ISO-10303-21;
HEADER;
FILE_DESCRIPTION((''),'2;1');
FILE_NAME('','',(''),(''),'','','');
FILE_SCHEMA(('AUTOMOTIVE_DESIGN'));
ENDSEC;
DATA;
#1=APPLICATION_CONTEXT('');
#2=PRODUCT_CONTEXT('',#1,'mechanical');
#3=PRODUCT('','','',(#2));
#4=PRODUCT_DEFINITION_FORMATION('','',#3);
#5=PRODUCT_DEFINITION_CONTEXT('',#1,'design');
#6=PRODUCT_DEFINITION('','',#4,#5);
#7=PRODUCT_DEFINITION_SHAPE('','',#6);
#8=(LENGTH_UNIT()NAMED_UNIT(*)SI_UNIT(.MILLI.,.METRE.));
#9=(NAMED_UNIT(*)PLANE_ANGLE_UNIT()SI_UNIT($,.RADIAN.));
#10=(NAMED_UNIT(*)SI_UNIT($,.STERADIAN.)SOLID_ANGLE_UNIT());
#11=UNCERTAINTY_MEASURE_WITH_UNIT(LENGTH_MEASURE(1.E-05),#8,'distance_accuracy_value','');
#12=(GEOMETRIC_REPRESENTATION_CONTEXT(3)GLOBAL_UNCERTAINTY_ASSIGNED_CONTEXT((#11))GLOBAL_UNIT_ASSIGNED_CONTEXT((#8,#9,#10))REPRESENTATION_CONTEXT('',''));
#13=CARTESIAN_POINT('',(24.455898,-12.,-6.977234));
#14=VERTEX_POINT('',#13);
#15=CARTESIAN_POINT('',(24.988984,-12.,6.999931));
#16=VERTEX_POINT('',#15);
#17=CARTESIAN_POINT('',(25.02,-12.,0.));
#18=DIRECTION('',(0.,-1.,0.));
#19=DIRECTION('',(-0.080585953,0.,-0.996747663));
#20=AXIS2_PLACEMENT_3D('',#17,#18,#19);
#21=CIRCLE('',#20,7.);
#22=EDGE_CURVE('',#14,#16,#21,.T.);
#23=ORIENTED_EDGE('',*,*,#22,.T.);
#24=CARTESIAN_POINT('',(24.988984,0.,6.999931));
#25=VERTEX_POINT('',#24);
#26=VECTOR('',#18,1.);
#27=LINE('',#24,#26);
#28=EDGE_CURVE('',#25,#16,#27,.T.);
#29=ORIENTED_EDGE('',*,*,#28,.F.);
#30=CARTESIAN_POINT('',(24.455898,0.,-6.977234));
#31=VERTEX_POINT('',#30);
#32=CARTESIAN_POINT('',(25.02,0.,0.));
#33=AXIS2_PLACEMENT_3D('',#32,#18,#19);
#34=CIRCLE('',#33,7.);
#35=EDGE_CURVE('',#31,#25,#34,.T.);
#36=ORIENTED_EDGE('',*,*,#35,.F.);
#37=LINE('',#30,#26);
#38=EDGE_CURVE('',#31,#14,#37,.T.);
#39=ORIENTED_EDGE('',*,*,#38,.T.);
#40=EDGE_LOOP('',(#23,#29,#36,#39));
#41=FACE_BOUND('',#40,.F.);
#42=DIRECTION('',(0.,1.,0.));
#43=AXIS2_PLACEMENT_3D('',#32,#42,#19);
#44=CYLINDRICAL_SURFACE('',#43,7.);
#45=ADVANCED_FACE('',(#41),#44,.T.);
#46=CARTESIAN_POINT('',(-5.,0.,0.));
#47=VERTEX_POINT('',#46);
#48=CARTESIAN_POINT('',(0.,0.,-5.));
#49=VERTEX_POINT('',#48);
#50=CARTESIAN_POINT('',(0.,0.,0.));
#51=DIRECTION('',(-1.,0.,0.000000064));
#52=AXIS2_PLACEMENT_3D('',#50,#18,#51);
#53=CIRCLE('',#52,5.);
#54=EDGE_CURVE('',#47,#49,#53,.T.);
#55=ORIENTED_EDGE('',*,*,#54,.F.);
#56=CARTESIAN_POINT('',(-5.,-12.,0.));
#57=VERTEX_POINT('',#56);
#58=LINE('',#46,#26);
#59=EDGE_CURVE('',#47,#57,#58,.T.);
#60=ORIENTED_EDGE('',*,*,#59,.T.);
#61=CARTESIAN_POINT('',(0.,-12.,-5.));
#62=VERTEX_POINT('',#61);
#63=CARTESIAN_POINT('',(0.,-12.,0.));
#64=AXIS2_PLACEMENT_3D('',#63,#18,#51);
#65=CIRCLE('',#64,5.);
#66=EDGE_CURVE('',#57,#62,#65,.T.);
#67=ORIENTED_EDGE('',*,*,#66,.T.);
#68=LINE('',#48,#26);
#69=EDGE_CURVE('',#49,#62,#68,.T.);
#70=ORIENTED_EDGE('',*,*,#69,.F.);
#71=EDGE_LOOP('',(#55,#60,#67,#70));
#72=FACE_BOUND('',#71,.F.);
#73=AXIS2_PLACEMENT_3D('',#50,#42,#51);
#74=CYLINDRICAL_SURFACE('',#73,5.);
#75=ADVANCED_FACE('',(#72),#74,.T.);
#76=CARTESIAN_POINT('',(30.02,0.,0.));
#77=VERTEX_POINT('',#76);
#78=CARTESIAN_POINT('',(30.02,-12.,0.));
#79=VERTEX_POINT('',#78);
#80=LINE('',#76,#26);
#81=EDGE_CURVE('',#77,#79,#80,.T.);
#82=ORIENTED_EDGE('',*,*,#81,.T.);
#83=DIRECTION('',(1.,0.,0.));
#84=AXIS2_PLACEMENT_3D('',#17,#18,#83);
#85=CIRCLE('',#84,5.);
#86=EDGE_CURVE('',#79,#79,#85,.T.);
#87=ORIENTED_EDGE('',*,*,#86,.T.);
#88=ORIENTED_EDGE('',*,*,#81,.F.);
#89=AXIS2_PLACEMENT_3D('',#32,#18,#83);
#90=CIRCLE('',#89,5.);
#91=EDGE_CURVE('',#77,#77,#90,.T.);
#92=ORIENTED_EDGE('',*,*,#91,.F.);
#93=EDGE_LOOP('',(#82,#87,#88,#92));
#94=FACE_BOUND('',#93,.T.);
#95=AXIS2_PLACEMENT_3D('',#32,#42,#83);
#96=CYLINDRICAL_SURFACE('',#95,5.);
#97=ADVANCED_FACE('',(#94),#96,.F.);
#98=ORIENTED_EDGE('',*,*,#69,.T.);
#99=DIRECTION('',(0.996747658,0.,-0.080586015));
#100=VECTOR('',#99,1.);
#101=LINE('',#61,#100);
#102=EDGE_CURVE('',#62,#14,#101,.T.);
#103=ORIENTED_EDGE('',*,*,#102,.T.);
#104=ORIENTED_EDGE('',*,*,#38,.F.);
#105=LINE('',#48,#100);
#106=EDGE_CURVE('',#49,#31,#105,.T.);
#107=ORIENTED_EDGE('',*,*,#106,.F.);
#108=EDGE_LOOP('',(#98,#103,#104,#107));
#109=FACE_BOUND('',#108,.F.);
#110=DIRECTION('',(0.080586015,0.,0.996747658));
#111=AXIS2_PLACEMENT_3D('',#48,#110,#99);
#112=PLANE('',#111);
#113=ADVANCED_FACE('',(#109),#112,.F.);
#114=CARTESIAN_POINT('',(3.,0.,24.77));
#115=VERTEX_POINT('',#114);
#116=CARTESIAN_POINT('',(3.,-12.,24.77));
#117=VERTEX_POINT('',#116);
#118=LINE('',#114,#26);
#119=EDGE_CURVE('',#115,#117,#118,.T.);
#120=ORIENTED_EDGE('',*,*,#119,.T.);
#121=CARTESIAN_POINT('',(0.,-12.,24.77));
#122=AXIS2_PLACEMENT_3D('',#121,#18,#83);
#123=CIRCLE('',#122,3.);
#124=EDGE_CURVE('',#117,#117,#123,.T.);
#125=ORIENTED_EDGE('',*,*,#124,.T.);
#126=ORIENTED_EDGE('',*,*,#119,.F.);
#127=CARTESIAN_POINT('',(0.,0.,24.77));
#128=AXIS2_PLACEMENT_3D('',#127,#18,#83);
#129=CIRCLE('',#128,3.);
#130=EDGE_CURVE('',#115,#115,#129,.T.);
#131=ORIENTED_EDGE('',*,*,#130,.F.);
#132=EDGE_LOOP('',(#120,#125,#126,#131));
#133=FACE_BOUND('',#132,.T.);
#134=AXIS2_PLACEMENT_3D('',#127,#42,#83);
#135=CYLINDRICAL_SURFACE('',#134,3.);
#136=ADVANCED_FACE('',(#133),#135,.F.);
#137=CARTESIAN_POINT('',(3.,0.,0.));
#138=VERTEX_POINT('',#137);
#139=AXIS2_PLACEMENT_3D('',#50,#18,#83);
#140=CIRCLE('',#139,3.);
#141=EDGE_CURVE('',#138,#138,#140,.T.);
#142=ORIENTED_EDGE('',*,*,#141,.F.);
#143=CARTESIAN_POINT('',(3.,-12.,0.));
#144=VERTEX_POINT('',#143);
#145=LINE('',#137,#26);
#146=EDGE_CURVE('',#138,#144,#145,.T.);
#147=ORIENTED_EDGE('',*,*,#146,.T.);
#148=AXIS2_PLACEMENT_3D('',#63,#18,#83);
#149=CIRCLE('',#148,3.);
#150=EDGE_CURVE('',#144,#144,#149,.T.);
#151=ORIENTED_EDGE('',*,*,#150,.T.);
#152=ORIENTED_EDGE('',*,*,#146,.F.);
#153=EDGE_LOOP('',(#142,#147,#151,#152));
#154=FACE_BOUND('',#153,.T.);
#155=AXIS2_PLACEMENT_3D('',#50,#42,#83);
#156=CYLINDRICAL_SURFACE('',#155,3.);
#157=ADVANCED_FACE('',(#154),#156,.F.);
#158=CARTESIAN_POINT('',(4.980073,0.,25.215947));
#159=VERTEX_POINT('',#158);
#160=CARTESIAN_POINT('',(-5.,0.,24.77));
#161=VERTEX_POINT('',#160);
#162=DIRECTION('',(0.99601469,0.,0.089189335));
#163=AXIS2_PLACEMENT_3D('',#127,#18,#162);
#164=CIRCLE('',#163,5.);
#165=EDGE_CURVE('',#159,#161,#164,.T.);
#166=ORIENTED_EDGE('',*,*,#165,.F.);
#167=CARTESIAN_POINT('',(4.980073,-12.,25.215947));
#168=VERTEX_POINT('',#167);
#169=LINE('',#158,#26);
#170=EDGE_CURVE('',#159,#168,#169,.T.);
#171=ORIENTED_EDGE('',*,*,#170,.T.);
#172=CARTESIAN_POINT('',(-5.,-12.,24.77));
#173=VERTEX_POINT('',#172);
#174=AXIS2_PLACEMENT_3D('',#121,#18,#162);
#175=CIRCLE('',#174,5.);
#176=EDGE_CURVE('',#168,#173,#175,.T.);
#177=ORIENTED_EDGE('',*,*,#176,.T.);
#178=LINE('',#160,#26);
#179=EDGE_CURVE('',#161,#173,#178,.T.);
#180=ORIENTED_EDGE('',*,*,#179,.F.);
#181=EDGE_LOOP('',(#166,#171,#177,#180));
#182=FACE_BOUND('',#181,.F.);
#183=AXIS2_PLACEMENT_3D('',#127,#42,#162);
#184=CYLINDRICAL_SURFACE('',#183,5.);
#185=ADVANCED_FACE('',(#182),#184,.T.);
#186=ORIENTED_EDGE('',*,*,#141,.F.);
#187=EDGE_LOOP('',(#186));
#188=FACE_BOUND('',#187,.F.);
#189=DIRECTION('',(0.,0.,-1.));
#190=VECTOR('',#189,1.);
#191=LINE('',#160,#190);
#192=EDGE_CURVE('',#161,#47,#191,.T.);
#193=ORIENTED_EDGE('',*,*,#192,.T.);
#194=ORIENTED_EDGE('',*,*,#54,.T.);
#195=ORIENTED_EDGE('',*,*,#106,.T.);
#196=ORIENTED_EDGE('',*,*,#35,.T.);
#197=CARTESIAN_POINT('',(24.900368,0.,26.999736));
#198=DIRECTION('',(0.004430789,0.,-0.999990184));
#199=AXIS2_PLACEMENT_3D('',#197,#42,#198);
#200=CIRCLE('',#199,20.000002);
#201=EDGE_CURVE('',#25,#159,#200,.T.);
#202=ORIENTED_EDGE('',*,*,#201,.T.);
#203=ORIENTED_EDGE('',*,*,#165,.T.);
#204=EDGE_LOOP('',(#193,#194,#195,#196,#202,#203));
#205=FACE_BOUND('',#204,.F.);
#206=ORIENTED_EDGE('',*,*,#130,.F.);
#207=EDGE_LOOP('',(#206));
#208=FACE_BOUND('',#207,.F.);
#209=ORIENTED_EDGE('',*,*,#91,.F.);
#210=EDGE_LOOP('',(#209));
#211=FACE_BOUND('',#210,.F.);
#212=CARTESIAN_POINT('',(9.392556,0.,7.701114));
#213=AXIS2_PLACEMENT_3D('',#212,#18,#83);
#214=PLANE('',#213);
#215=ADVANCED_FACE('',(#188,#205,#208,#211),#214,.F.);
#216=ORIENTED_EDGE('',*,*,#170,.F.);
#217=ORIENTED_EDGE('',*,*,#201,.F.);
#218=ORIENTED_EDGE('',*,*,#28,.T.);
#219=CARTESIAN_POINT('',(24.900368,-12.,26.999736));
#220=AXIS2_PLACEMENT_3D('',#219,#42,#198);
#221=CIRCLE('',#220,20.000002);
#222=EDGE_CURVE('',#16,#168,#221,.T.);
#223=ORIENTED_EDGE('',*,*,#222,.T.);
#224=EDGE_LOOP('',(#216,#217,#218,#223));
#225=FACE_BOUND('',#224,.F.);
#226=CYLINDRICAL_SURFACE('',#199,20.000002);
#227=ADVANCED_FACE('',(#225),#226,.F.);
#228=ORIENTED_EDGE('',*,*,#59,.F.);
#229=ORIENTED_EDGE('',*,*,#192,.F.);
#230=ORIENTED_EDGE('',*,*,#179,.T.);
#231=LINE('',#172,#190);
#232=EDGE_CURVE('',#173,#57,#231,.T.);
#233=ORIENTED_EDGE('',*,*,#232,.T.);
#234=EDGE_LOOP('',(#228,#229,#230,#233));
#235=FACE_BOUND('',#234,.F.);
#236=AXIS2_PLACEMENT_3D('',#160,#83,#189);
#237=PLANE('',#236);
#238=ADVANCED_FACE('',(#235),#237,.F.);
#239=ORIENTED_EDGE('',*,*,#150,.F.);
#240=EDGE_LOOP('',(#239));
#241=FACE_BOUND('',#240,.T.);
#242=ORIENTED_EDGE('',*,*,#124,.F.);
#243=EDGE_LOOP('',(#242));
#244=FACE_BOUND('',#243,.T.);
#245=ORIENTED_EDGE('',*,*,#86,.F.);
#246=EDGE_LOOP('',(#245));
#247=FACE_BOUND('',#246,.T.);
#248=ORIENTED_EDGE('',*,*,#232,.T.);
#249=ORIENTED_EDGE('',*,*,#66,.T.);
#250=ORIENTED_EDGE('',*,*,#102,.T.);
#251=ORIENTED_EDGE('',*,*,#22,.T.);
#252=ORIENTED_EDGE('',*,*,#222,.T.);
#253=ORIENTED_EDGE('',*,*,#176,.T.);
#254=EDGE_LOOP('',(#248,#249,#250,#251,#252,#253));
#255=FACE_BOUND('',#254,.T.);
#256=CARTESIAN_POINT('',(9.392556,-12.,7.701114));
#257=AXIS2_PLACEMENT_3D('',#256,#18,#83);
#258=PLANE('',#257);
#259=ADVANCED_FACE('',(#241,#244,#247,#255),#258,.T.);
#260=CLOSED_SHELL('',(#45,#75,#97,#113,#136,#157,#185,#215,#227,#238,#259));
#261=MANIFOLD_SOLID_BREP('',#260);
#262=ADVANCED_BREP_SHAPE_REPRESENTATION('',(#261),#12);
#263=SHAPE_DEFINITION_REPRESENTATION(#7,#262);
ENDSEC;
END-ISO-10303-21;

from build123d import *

# Parameters (mm, degrees)
F0_R     = 3
F0_R_2   = 5
F1_DEPTH = 12


with BuildPart() as f1:
    # F0 (on Front) → F1 (new body)
    with BuildSketch(Plane.XZ):
        with BuildLine():
            Line((-5, 24.77), (-5, 0))
            ThreePointArc((-5, 0), (-3.535534, -3.535534), (0, -5))
            Line((0, -5), (24.455898, -6.977234))
            ThreePointArc((24.455898, -6.977234), (32.014914, -0.266785), (24.988984, 6.999931))
            ThreePointArc((24.988984, 6.999931), (11.436354, 12.210538), (4.980073, 25.215947))
            ThreePointArc((4.980073, 25.215947), (-0.223196, 29.765016), (-5, 24.77))
        make_face()
        Circle(F0_R, mode=Mode.SUBTRACT)
        with Locations((25.02, 0)):
            Circle(F0_R_2, mode=Mode.SUBTRACT)
        with Locations((0, 24.77)):
            Circle(F0_R, mode=Mode.SUBTRACT)
    extrude(amount=F1_DEPTH)


solid = f1.part
